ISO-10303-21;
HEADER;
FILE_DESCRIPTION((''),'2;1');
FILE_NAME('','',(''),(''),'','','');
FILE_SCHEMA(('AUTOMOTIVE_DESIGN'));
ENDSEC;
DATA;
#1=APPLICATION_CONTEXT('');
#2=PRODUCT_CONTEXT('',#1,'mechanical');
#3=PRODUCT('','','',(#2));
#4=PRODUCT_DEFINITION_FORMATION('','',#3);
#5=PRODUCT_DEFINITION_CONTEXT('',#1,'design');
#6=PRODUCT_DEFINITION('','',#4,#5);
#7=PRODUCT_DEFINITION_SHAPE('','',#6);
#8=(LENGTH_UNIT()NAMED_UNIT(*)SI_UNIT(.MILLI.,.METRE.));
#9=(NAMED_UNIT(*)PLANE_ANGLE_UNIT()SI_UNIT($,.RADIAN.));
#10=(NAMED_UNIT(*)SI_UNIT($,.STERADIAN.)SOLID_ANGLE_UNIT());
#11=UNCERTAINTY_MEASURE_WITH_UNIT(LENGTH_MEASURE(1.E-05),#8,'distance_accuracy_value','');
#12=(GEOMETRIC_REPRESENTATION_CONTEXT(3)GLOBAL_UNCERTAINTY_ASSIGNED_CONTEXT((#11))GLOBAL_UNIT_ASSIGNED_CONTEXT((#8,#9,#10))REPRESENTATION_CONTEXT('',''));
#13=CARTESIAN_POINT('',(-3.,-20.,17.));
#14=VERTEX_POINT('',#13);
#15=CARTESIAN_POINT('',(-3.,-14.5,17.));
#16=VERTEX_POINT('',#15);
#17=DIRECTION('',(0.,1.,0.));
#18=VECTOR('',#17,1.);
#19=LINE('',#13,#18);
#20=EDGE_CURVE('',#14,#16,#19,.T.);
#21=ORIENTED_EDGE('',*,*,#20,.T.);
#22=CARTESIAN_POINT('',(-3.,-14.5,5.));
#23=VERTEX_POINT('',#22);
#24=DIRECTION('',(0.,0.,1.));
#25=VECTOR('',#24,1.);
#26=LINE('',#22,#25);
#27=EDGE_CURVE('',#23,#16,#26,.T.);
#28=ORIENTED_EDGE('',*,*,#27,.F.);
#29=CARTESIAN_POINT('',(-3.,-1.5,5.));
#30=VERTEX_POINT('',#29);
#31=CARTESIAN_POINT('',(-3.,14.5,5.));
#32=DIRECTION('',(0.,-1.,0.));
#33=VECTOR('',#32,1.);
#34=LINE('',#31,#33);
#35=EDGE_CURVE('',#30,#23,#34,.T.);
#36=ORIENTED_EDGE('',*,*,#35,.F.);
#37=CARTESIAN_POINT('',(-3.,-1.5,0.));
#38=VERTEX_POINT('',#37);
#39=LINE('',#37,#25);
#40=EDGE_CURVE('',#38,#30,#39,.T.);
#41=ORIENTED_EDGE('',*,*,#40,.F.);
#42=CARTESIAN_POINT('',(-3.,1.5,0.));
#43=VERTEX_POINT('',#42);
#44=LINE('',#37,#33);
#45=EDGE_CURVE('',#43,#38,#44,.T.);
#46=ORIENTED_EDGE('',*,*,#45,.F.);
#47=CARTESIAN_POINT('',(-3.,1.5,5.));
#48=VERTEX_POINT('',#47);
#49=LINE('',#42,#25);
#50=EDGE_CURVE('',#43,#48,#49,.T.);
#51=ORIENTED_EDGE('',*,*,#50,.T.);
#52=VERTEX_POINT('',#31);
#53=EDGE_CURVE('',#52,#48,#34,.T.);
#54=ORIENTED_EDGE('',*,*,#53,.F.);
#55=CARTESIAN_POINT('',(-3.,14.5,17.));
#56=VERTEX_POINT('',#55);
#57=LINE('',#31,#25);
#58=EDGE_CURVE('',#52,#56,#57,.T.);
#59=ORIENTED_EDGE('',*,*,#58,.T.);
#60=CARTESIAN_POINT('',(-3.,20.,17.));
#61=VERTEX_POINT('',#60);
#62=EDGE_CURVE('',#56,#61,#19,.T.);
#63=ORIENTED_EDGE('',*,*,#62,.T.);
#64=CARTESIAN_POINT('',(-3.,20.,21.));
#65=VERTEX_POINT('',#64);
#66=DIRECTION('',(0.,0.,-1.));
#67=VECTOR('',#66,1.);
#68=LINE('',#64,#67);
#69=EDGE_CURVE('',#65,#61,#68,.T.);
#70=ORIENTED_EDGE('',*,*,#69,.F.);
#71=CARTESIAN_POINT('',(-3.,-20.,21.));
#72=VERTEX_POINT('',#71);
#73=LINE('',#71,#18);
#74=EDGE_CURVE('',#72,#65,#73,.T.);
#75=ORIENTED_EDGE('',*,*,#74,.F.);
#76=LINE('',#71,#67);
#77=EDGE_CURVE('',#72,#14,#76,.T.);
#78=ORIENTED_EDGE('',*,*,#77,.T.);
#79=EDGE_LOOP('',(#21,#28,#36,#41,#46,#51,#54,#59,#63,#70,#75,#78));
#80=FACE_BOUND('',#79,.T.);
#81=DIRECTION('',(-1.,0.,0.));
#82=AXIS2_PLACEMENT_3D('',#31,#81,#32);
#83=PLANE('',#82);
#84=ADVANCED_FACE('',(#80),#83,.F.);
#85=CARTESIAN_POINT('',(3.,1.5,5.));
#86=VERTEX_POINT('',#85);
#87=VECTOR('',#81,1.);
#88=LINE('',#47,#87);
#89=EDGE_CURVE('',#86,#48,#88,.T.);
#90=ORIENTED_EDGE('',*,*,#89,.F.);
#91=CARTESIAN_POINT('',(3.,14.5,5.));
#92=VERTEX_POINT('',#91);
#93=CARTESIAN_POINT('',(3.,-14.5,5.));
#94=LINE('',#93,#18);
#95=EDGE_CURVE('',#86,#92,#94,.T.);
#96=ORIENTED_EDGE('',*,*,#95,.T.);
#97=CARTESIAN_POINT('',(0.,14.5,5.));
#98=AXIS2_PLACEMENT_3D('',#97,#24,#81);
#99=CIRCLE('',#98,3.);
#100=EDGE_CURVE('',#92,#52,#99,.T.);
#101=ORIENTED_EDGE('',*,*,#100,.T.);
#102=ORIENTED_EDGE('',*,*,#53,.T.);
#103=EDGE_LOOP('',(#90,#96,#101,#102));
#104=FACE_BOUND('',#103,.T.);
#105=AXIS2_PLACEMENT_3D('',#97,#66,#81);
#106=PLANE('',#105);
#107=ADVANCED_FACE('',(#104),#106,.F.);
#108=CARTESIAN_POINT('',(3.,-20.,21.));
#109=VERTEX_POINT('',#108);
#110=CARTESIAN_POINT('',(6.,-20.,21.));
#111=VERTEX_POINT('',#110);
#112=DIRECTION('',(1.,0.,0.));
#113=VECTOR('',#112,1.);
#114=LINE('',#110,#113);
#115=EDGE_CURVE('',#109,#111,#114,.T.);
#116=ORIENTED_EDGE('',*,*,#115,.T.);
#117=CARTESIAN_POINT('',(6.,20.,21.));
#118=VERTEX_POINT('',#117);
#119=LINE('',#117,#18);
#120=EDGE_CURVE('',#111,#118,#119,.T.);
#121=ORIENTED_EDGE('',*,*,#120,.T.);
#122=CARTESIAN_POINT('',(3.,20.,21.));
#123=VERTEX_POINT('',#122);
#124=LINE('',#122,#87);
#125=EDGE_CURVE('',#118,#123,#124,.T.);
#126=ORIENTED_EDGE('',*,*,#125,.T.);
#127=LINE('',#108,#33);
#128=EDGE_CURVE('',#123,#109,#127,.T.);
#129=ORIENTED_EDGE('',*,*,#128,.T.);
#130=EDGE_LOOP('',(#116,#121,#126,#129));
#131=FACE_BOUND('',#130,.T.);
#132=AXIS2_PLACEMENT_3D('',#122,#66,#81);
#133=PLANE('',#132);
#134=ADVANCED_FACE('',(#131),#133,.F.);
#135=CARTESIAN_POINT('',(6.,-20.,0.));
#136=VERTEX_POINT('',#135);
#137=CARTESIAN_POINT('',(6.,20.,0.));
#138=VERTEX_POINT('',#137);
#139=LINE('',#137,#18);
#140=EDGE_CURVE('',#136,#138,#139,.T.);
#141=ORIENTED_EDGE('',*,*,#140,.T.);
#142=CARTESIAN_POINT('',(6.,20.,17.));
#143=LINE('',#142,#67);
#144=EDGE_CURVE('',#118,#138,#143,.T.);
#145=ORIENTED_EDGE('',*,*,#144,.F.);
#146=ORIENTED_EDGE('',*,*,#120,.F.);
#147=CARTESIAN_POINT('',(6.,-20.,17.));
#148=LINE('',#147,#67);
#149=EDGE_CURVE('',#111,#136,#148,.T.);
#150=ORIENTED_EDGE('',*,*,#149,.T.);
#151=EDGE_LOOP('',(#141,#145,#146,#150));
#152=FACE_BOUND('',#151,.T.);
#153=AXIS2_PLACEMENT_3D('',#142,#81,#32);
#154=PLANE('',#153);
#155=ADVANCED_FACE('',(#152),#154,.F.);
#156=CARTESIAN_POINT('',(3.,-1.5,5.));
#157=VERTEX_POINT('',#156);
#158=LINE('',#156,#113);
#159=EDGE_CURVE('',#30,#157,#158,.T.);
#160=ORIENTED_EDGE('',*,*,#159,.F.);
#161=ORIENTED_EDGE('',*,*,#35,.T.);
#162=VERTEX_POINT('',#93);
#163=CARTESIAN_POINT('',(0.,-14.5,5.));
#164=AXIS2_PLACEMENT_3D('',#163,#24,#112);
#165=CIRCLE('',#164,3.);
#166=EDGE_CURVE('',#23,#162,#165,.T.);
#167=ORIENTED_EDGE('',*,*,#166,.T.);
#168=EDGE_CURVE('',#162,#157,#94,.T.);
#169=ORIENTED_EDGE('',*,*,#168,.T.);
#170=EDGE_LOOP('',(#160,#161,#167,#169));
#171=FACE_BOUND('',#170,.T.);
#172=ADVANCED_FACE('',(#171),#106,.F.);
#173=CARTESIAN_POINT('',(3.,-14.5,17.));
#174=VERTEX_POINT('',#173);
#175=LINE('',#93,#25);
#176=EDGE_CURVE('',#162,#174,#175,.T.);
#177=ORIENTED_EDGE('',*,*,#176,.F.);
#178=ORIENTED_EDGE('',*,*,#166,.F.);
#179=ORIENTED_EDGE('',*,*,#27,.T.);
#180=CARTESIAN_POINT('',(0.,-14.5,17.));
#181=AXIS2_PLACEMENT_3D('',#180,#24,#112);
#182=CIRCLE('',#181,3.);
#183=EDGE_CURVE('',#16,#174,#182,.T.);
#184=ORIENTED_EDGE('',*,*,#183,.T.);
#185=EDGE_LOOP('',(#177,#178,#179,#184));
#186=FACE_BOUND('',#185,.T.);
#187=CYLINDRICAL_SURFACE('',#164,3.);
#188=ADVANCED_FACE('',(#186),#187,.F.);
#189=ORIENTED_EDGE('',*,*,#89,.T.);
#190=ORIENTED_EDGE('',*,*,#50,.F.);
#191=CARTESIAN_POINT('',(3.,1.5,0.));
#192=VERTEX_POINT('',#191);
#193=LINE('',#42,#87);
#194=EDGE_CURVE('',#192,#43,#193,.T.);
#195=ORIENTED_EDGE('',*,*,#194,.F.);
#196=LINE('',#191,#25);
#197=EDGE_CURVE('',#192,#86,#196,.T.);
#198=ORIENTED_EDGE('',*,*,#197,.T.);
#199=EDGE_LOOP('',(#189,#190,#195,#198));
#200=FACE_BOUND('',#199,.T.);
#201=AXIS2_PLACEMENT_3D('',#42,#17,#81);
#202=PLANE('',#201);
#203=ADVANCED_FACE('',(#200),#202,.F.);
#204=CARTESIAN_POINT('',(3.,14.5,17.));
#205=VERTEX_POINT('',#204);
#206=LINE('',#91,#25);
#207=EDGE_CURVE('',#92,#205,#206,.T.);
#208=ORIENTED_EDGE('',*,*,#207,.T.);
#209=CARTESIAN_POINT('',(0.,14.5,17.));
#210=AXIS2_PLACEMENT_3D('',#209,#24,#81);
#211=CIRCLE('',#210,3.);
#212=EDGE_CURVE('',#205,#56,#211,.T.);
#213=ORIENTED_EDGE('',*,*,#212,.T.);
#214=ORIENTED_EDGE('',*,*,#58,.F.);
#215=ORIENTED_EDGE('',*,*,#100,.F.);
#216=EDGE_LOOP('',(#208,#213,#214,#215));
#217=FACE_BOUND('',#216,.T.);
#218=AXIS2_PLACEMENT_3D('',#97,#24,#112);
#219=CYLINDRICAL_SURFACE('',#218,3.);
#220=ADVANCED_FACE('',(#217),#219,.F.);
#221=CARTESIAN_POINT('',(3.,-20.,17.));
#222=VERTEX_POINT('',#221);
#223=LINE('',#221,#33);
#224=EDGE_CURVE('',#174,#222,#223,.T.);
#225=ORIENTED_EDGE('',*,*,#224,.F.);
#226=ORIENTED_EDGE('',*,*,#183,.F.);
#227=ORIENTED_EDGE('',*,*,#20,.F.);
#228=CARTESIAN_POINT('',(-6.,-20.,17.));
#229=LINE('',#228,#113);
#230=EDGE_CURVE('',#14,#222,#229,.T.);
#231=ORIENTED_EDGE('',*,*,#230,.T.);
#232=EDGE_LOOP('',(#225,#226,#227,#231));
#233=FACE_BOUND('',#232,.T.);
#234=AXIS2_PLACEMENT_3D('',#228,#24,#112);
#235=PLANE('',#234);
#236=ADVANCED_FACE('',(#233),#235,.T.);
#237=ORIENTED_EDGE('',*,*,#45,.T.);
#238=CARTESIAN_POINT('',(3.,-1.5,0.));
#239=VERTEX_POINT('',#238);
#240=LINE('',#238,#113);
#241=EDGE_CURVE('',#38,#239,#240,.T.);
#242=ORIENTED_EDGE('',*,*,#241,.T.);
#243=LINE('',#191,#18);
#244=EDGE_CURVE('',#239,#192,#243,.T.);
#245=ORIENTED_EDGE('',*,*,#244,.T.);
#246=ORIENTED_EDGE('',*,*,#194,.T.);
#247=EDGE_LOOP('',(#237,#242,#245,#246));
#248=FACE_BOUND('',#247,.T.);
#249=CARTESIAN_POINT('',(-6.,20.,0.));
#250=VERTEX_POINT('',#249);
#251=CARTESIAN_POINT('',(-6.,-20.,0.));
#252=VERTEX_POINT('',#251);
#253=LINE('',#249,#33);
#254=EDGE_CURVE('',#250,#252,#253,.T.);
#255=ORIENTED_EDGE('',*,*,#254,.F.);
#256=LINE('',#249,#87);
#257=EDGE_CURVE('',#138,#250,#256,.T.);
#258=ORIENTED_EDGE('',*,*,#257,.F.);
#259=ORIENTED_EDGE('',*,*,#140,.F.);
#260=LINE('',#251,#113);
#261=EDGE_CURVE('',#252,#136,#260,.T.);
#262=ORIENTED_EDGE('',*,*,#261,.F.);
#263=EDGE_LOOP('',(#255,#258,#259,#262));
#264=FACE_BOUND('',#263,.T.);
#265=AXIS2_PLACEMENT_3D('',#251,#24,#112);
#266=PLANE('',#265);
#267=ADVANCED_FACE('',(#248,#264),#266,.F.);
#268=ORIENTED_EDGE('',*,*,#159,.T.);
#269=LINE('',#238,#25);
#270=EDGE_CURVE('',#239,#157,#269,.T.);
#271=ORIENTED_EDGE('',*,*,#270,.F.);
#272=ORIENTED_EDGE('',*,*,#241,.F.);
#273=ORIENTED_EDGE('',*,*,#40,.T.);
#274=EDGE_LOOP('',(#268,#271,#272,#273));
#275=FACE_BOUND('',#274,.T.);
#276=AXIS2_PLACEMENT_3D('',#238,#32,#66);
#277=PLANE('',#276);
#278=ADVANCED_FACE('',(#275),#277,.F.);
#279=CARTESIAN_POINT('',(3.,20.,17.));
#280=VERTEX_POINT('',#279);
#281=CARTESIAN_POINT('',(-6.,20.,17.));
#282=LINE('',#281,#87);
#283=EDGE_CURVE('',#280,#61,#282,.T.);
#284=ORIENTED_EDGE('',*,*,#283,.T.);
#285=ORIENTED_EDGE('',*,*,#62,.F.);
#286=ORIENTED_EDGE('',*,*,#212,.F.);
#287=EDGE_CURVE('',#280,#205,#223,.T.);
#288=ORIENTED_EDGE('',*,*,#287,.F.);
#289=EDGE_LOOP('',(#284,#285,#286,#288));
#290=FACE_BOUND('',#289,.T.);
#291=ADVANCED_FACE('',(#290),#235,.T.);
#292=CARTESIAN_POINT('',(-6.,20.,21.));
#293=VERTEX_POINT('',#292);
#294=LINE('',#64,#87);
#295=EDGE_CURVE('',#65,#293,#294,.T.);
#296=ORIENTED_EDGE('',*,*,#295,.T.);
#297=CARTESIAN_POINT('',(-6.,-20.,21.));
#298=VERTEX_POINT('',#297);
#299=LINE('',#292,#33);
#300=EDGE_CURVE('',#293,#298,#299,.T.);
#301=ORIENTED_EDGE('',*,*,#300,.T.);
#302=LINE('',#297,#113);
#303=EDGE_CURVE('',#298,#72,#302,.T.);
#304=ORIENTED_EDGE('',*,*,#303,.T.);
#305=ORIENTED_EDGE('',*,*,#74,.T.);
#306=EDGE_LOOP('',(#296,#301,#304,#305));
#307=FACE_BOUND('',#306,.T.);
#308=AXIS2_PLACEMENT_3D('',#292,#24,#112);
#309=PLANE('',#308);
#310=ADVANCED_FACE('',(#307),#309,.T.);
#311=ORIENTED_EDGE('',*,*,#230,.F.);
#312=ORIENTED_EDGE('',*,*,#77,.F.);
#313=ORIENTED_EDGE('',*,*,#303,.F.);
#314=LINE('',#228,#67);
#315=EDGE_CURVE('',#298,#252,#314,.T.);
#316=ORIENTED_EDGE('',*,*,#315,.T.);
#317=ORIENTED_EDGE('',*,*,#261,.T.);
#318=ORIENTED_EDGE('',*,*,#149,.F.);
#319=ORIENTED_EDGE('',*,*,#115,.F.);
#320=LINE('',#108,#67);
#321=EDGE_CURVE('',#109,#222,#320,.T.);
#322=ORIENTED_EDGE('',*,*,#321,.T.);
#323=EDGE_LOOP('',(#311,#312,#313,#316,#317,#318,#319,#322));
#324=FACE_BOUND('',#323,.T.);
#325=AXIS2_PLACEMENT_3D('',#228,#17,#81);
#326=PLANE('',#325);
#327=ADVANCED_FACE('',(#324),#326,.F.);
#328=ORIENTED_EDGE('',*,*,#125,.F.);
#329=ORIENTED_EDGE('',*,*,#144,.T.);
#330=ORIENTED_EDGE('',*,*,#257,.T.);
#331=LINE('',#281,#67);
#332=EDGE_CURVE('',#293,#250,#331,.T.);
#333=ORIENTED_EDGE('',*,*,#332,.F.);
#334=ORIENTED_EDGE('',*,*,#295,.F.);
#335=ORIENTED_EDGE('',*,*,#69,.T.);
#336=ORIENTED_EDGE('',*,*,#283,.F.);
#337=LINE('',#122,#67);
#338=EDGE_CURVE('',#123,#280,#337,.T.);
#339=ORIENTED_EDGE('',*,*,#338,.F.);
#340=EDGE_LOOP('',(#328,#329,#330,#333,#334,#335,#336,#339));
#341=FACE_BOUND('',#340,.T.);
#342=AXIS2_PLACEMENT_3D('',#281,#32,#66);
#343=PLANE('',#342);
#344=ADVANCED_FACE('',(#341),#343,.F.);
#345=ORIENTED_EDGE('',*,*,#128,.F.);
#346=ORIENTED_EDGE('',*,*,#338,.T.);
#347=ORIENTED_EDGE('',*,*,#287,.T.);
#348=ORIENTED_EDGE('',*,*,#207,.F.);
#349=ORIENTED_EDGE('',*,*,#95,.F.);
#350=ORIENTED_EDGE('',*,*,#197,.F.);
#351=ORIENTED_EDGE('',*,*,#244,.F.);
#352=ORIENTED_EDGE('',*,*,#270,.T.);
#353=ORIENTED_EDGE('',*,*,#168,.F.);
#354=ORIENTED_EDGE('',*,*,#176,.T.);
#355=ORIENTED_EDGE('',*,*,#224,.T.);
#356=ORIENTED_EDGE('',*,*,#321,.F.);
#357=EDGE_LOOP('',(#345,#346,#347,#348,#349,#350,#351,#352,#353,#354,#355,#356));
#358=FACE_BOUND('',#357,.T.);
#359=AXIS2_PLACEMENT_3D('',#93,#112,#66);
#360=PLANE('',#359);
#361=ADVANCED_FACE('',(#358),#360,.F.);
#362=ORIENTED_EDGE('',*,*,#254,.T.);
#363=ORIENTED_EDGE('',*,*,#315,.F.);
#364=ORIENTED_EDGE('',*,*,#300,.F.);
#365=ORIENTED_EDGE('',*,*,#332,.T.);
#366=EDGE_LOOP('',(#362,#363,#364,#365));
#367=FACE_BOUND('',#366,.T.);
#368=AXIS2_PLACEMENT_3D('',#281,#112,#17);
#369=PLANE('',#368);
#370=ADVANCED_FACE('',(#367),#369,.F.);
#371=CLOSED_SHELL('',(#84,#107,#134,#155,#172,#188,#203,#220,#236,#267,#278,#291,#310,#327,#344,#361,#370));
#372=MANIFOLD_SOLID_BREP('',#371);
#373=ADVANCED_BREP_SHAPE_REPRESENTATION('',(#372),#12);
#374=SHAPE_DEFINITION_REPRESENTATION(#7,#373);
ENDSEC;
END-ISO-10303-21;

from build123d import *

# Parameters (mm, degrees)
ESQUISSE1_W      = 12
ESQUISSE1_H      = 40
EXTRUSION1_DEPTH = 17
EXTRUSION2_DEPTH = 12
ESQUISSE3_W      = 6
ESQUISSE3_H      = 3
EXTRUSION3_DEPTH = 25.083189158
ESQUISSE4_W      = 3
ESQUISSE4_H      = 40
EXTRUSION4_DEPTH = 4


with BuildPart() as part:
    # Esquisse1 → Extrusion1 (new body)
    with BuildSketch(Plane.XY):
        Rectangle(ESQUISSE1_W, ESQUISSE1_H)
    extrude(amount=EXTRUSION1_DEPTH)

    # Esquisse2 → Extrusion2 (cut)
    with BuildSketch(Plane.XY.offset(17)):
        with BuildLine():
            Line((-3, 14.5), (-3, -14.5))
            ThreePointArc((-3, -14.5), (0, -17.5), (3, -14.5))
            Line((3, -14.5), (3, 14.5))
            ThreePointArc((3, 14.5), (0, 17.5), (-3, 14.5))
        make_face()
    extrude(amount=-EXTRUSION2_DEPTH, mode=Mode.SUBTRACT)

    # Esquisse3 → Extrusion3 (cut, through all)
    with BuildSketch(Plane.XY.offset(5)):
        Rectangle(ESQUISSE3_W, ESQUISSE3_H)
    extrude(amount=-EXTRUSION3_DEPTH, mode=Mode.SUBTRACT)

    # Esquisse4 → Extrusion4 (add)
    with BuildSketch(Plane.XY.offset(17)):
        with Locations((4.5, 0)):
            Rectangle(ESQUISSE4_W, ESQUISSE4_H)
        with Locations((-4.5, 0)):
            Rectangle(ESQUISSE4_W, ESQUISSE4_H)
    extrude(amount=EXTRUSION4_DEPTH)


solid = part.part
